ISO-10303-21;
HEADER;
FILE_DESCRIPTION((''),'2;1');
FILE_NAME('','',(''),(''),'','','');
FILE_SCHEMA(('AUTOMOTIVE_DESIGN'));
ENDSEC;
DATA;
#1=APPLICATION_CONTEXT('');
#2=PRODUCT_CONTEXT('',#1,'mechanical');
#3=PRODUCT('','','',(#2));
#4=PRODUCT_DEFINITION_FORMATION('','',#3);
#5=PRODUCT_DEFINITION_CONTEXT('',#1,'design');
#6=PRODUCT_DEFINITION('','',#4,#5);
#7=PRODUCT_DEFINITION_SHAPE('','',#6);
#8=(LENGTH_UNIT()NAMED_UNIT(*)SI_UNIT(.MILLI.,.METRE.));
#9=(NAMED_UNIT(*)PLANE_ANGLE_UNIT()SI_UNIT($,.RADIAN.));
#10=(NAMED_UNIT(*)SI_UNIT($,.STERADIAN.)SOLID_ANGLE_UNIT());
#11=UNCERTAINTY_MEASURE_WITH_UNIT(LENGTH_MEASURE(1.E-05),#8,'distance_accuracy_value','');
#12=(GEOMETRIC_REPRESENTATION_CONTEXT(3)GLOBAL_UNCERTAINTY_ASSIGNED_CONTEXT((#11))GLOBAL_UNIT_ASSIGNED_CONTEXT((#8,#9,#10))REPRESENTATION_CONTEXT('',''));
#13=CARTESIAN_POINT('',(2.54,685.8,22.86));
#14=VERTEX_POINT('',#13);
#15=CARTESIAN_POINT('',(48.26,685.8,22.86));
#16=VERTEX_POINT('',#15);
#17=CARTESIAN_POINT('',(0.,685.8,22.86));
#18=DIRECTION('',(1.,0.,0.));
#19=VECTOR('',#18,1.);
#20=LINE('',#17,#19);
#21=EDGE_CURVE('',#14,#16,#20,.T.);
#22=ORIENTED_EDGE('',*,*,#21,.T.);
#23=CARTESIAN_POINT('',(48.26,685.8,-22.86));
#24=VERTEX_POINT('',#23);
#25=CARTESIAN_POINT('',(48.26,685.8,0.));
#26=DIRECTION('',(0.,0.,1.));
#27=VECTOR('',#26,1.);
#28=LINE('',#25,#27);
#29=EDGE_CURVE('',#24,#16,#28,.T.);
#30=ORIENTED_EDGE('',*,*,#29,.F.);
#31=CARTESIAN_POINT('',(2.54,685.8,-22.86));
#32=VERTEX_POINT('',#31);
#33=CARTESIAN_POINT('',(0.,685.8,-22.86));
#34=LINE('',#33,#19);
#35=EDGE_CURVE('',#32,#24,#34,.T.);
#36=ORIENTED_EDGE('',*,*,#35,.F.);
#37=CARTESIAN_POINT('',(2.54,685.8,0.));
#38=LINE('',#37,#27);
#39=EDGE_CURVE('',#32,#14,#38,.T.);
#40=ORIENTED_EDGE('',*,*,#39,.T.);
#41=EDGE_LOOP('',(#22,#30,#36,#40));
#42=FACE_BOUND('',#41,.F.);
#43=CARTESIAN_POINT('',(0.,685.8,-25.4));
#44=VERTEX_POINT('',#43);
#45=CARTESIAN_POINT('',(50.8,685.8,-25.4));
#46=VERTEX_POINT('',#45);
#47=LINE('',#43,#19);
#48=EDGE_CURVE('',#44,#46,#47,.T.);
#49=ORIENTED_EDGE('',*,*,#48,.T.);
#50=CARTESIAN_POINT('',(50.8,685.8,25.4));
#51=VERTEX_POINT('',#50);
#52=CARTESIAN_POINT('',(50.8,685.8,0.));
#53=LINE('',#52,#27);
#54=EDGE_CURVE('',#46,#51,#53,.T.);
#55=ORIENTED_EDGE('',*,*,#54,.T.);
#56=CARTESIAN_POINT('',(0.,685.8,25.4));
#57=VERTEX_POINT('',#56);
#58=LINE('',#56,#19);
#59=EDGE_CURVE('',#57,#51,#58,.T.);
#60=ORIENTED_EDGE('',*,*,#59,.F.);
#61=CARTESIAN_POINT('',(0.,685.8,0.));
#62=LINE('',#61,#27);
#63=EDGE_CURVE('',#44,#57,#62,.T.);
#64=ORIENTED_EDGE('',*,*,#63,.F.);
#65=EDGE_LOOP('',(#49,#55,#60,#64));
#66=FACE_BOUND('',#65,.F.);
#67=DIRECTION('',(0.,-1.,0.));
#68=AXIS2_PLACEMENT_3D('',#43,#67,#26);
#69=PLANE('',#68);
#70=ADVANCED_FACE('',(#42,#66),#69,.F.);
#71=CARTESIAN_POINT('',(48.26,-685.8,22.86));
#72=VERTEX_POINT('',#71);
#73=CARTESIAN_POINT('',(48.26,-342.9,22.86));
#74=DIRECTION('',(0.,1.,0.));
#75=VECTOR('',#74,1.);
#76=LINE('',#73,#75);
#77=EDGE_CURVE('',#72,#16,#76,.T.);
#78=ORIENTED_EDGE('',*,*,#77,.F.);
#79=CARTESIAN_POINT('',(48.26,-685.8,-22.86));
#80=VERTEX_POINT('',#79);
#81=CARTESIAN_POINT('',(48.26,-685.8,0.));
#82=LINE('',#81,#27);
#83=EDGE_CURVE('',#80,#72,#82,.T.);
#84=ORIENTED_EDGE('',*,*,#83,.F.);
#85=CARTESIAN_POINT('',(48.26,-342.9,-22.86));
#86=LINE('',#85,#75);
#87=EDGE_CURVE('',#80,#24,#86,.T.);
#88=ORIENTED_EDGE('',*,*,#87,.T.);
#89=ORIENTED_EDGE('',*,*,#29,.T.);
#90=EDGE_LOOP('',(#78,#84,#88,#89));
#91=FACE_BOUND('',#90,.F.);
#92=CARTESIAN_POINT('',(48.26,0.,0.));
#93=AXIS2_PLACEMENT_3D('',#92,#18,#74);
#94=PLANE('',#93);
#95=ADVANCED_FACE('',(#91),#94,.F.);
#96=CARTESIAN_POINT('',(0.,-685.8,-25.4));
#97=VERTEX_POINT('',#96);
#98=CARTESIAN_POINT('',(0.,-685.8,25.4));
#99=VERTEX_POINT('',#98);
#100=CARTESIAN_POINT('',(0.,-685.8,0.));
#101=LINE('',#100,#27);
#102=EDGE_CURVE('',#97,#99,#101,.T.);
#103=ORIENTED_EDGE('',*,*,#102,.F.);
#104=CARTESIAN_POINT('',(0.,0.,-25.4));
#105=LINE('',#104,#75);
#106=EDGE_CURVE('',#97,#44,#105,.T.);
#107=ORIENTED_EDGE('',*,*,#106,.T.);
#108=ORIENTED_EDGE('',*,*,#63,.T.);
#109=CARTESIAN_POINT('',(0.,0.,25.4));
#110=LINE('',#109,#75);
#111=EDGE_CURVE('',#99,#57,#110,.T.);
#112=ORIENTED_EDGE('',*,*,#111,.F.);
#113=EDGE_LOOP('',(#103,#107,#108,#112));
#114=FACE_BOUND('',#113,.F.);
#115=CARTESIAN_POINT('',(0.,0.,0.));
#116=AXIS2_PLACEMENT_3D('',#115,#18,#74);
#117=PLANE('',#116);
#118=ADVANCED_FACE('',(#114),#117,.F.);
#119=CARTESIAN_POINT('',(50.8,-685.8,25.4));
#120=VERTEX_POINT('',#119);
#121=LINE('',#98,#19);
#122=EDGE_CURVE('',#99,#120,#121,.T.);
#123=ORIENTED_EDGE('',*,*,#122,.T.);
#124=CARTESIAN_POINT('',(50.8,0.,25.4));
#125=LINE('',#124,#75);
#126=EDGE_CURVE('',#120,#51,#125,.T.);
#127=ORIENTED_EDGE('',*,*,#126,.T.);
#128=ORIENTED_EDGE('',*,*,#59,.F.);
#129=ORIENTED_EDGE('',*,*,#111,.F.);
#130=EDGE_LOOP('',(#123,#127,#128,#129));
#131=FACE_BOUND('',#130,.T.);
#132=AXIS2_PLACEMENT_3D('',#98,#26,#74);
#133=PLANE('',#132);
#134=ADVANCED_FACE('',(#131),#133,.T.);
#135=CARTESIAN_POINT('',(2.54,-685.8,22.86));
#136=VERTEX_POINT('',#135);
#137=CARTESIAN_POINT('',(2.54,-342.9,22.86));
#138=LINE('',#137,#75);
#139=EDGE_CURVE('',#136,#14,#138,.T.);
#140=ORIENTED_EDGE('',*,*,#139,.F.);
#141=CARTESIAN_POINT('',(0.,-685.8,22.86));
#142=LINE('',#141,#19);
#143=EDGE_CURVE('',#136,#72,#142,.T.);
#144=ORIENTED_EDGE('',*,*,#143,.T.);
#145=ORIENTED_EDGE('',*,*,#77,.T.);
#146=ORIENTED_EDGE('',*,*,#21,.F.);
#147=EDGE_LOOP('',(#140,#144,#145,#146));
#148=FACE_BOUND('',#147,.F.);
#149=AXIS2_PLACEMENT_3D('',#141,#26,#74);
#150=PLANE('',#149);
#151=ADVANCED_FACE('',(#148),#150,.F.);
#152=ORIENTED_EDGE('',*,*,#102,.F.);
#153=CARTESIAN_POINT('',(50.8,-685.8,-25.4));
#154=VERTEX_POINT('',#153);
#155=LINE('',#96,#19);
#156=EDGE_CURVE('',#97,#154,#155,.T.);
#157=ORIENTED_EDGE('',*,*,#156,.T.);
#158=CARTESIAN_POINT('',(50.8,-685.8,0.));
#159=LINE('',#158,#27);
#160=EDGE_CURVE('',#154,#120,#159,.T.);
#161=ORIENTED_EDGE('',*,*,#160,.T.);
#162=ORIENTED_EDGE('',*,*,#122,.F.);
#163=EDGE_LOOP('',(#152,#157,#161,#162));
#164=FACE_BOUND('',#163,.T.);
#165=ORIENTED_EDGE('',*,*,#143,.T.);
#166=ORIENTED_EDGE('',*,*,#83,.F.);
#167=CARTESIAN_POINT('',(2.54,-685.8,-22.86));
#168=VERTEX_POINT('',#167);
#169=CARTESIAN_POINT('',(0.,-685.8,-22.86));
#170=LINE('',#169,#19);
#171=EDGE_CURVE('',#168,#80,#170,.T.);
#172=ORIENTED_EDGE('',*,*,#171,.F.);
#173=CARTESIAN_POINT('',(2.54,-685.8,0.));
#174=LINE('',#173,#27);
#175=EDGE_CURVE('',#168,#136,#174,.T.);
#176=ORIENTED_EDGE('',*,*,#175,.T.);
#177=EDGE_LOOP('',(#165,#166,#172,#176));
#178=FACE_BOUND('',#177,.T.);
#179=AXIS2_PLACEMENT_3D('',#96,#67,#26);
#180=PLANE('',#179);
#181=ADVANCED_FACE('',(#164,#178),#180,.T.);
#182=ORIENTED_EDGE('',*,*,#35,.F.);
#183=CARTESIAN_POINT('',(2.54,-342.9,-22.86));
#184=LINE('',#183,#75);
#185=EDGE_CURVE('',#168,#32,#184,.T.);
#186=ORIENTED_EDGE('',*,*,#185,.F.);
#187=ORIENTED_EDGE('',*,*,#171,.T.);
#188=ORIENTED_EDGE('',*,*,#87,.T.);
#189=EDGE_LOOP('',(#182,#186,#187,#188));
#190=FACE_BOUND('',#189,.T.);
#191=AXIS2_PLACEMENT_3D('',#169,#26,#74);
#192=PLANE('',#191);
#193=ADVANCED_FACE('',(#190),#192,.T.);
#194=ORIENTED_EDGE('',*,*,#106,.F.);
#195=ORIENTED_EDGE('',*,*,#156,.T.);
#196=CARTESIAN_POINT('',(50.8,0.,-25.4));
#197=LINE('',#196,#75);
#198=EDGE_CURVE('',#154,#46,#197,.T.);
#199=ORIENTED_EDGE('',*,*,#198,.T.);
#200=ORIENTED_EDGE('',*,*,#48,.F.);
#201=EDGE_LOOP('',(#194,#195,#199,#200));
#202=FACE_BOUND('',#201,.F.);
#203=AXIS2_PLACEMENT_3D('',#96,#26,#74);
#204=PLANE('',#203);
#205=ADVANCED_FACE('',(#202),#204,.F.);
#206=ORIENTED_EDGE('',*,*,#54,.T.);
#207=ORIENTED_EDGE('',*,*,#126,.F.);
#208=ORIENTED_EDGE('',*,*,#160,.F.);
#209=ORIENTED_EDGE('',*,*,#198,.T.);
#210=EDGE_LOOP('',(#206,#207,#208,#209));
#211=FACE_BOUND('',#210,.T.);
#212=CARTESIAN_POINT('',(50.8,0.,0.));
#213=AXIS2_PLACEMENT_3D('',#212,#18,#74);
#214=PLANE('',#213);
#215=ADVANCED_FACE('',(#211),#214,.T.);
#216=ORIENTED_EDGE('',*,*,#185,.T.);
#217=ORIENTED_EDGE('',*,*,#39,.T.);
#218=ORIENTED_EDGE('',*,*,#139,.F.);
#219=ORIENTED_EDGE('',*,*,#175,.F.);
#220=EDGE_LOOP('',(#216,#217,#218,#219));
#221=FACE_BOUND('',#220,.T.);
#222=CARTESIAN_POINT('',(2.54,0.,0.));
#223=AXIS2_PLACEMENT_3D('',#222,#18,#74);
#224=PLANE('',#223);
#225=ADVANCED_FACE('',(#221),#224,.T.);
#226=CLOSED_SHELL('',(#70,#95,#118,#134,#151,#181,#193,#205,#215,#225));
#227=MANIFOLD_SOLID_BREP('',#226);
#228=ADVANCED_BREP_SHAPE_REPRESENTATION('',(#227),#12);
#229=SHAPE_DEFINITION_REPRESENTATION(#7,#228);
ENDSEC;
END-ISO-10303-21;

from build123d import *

# Parameters (mm, degrees)
F0_W     = 1371.6
F0_H     = 50.8
F1_DEPTH = 50.8
F2_T     = -2.54


with BuildPart() as f1:
    # F0 (on Right) → F1 (new body)
    with BuildSketch(Plane.YZ):
        Rectangle(F0_W, F0_H)
    extrude(amount=F1_DEPTH)

    # F2
    f2_openings = [f1.faces().sort_by_distance(p)[0] for p in [
        (25.4, -685.8, 0),
        (25.4, 685.8, 0),
    ]]
    offset(amount=F2_T, openings=f2_openings)


solid = f1.part
